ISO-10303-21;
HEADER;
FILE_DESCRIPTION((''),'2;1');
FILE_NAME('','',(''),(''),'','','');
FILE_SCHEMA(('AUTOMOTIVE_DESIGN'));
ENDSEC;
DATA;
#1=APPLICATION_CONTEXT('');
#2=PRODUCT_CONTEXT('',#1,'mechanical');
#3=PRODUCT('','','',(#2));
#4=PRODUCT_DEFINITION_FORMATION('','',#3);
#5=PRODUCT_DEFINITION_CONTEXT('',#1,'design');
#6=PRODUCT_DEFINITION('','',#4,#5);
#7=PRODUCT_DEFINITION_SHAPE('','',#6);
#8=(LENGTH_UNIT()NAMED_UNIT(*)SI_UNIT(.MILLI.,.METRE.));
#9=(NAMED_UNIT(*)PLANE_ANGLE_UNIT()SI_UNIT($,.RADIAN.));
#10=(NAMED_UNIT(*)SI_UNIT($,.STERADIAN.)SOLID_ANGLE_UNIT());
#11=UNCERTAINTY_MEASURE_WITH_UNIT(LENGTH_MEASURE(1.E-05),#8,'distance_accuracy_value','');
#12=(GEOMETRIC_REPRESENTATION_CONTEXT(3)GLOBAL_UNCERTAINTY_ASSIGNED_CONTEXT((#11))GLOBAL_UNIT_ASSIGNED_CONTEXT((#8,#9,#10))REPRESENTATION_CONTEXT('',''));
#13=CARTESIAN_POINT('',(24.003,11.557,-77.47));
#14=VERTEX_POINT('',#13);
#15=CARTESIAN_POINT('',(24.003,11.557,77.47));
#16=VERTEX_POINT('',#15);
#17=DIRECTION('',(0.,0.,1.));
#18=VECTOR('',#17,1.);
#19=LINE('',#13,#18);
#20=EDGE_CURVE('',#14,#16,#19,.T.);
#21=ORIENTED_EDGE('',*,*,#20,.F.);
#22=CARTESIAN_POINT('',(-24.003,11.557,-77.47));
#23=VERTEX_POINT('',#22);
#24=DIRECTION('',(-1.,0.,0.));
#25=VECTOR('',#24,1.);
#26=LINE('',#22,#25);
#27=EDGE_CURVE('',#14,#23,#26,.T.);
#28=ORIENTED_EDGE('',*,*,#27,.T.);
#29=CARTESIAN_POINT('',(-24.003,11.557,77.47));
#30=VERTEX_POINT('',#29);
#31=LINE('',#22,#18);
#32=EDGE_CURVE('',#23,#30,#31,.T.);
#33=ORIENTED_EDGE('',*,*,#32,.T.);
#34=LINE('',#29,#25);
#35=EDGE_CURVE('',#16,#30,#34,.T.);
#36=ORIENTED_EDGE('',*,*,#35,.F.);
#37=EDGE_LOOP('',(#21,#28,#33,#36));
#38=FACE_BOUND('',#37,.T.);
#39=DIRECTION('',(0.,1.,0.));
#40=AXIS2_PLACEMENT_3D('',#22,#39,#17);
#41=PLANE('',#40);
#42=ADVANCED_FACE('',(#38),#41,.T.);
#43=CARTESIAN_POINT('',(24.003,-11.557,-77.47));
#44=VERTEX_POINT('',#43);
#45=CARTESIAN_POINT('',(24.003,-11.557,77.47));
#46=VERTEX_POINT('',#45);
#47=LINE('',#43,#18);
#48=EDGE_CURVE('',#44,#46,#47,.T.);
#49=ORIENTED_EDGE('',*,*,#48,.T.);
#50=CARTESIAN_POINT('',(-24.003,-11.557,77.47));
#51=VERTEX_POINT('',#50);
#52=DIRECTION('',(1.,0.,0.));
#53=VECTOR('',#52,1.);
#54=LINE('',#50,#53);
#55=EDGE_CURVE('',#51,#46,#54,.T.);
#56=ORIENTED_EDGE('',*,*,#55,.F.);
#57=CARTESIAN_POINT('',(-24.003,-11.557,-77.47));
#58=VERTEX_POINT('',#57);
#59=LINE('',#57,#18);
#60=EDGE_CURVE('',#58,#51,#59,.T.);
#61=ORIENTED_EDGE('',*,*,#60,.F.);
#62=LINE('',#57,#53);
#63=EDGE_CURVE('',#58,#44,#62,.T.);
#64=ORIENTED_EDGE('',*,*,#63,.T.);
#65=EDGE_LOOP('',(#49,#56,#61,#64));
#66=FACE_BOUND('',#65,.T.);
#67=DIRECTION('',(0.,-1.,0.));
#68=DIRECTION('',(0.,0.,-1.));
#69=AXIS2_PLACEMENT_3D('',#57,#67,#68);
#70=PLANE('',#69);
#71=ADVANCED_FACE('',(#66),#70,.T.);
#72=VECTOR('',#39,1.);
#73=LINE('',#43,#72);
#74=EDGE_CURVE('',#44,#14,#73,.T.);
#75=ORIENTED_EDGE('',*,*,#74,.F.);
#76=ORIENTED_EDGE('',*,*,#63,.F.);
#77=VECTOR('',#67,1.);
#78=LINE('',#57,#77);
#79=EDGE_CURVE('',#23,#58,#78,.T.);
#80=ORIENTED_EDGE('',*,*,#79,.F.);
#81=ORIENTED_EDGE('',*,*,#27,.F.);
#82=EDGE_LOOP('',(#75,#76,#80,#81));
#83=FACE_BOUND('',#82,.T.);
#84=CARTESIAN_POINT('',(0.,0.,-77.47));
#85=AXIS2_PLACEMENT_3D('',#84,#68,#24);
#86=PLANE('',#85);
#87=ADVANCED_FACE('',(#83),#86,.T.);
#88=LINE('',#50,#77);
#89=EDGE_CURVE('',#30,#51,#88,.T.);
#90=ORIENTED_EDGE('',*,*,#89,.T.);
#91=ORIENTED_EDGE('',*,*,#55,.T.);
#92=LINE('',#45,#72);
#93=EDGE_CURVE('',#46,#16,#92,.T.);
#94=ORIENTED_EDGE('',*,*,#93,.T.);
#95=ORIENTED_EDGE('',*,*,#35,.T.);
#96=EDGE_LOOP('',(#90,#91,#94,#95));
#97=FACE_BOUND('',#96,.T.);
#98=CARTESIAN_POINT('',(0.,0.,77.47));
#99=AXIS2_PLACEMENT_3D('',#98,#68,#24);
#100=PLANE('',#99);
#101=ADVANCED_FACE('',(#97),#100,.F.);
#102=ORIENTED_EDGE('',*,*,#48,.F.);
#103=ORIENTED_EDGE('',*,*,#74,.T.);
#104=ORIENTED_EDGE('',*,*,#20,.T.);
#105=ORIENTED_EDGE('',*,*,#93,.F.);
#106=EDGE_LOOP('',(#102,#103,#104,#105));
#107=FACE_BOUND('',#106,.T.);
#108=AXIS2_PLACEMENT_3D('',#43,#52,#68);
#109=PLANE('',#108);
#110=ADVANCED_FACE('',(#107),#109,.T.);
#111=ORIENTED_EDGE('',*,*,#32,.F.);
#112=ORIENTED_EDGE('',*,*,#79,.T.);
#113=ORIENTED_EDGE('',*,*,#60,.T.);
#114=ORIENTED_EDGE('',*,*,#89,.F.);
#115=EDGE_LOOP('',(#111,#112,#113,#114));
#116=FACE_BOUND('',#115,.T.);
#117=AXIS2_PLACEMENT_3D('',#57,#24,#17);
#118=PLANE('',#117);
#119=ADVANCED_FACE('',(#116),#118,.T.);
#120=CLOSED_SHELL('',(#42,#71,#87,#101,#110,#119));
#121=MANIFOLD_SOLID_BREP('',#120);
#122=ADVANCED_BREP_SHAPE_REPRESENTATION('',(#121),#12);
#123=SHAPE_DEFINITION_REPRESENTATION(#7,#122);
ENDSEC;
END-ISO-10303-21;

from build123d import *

# Parameters (mm, degrees)
BOSS_EXTRUDE1_DEPTH      = 77.47
BOSS_EXTRUDE1_DEPTH_BACK = 77.47
SKETCH1_W                = 48.006
SKETCH1_H                = 23.114


with BuildPart() as part:
    # Sketch1 → Boss-Extrude1 (new, two sides: drawn at the far end of the back side and taken through both)
    with BuildSketch(Plane.XY.offset(-BOSS_EXTRUDE1_DEPTH_BACK)):
        Rectangle(SKETCH1_W, SKETCH1_H)
    extrude(amount=BOSS_EXTRUDE1_DEPTH + BOSS_EXTRUDE1_DEPTH_BACK)


solid = part.part
